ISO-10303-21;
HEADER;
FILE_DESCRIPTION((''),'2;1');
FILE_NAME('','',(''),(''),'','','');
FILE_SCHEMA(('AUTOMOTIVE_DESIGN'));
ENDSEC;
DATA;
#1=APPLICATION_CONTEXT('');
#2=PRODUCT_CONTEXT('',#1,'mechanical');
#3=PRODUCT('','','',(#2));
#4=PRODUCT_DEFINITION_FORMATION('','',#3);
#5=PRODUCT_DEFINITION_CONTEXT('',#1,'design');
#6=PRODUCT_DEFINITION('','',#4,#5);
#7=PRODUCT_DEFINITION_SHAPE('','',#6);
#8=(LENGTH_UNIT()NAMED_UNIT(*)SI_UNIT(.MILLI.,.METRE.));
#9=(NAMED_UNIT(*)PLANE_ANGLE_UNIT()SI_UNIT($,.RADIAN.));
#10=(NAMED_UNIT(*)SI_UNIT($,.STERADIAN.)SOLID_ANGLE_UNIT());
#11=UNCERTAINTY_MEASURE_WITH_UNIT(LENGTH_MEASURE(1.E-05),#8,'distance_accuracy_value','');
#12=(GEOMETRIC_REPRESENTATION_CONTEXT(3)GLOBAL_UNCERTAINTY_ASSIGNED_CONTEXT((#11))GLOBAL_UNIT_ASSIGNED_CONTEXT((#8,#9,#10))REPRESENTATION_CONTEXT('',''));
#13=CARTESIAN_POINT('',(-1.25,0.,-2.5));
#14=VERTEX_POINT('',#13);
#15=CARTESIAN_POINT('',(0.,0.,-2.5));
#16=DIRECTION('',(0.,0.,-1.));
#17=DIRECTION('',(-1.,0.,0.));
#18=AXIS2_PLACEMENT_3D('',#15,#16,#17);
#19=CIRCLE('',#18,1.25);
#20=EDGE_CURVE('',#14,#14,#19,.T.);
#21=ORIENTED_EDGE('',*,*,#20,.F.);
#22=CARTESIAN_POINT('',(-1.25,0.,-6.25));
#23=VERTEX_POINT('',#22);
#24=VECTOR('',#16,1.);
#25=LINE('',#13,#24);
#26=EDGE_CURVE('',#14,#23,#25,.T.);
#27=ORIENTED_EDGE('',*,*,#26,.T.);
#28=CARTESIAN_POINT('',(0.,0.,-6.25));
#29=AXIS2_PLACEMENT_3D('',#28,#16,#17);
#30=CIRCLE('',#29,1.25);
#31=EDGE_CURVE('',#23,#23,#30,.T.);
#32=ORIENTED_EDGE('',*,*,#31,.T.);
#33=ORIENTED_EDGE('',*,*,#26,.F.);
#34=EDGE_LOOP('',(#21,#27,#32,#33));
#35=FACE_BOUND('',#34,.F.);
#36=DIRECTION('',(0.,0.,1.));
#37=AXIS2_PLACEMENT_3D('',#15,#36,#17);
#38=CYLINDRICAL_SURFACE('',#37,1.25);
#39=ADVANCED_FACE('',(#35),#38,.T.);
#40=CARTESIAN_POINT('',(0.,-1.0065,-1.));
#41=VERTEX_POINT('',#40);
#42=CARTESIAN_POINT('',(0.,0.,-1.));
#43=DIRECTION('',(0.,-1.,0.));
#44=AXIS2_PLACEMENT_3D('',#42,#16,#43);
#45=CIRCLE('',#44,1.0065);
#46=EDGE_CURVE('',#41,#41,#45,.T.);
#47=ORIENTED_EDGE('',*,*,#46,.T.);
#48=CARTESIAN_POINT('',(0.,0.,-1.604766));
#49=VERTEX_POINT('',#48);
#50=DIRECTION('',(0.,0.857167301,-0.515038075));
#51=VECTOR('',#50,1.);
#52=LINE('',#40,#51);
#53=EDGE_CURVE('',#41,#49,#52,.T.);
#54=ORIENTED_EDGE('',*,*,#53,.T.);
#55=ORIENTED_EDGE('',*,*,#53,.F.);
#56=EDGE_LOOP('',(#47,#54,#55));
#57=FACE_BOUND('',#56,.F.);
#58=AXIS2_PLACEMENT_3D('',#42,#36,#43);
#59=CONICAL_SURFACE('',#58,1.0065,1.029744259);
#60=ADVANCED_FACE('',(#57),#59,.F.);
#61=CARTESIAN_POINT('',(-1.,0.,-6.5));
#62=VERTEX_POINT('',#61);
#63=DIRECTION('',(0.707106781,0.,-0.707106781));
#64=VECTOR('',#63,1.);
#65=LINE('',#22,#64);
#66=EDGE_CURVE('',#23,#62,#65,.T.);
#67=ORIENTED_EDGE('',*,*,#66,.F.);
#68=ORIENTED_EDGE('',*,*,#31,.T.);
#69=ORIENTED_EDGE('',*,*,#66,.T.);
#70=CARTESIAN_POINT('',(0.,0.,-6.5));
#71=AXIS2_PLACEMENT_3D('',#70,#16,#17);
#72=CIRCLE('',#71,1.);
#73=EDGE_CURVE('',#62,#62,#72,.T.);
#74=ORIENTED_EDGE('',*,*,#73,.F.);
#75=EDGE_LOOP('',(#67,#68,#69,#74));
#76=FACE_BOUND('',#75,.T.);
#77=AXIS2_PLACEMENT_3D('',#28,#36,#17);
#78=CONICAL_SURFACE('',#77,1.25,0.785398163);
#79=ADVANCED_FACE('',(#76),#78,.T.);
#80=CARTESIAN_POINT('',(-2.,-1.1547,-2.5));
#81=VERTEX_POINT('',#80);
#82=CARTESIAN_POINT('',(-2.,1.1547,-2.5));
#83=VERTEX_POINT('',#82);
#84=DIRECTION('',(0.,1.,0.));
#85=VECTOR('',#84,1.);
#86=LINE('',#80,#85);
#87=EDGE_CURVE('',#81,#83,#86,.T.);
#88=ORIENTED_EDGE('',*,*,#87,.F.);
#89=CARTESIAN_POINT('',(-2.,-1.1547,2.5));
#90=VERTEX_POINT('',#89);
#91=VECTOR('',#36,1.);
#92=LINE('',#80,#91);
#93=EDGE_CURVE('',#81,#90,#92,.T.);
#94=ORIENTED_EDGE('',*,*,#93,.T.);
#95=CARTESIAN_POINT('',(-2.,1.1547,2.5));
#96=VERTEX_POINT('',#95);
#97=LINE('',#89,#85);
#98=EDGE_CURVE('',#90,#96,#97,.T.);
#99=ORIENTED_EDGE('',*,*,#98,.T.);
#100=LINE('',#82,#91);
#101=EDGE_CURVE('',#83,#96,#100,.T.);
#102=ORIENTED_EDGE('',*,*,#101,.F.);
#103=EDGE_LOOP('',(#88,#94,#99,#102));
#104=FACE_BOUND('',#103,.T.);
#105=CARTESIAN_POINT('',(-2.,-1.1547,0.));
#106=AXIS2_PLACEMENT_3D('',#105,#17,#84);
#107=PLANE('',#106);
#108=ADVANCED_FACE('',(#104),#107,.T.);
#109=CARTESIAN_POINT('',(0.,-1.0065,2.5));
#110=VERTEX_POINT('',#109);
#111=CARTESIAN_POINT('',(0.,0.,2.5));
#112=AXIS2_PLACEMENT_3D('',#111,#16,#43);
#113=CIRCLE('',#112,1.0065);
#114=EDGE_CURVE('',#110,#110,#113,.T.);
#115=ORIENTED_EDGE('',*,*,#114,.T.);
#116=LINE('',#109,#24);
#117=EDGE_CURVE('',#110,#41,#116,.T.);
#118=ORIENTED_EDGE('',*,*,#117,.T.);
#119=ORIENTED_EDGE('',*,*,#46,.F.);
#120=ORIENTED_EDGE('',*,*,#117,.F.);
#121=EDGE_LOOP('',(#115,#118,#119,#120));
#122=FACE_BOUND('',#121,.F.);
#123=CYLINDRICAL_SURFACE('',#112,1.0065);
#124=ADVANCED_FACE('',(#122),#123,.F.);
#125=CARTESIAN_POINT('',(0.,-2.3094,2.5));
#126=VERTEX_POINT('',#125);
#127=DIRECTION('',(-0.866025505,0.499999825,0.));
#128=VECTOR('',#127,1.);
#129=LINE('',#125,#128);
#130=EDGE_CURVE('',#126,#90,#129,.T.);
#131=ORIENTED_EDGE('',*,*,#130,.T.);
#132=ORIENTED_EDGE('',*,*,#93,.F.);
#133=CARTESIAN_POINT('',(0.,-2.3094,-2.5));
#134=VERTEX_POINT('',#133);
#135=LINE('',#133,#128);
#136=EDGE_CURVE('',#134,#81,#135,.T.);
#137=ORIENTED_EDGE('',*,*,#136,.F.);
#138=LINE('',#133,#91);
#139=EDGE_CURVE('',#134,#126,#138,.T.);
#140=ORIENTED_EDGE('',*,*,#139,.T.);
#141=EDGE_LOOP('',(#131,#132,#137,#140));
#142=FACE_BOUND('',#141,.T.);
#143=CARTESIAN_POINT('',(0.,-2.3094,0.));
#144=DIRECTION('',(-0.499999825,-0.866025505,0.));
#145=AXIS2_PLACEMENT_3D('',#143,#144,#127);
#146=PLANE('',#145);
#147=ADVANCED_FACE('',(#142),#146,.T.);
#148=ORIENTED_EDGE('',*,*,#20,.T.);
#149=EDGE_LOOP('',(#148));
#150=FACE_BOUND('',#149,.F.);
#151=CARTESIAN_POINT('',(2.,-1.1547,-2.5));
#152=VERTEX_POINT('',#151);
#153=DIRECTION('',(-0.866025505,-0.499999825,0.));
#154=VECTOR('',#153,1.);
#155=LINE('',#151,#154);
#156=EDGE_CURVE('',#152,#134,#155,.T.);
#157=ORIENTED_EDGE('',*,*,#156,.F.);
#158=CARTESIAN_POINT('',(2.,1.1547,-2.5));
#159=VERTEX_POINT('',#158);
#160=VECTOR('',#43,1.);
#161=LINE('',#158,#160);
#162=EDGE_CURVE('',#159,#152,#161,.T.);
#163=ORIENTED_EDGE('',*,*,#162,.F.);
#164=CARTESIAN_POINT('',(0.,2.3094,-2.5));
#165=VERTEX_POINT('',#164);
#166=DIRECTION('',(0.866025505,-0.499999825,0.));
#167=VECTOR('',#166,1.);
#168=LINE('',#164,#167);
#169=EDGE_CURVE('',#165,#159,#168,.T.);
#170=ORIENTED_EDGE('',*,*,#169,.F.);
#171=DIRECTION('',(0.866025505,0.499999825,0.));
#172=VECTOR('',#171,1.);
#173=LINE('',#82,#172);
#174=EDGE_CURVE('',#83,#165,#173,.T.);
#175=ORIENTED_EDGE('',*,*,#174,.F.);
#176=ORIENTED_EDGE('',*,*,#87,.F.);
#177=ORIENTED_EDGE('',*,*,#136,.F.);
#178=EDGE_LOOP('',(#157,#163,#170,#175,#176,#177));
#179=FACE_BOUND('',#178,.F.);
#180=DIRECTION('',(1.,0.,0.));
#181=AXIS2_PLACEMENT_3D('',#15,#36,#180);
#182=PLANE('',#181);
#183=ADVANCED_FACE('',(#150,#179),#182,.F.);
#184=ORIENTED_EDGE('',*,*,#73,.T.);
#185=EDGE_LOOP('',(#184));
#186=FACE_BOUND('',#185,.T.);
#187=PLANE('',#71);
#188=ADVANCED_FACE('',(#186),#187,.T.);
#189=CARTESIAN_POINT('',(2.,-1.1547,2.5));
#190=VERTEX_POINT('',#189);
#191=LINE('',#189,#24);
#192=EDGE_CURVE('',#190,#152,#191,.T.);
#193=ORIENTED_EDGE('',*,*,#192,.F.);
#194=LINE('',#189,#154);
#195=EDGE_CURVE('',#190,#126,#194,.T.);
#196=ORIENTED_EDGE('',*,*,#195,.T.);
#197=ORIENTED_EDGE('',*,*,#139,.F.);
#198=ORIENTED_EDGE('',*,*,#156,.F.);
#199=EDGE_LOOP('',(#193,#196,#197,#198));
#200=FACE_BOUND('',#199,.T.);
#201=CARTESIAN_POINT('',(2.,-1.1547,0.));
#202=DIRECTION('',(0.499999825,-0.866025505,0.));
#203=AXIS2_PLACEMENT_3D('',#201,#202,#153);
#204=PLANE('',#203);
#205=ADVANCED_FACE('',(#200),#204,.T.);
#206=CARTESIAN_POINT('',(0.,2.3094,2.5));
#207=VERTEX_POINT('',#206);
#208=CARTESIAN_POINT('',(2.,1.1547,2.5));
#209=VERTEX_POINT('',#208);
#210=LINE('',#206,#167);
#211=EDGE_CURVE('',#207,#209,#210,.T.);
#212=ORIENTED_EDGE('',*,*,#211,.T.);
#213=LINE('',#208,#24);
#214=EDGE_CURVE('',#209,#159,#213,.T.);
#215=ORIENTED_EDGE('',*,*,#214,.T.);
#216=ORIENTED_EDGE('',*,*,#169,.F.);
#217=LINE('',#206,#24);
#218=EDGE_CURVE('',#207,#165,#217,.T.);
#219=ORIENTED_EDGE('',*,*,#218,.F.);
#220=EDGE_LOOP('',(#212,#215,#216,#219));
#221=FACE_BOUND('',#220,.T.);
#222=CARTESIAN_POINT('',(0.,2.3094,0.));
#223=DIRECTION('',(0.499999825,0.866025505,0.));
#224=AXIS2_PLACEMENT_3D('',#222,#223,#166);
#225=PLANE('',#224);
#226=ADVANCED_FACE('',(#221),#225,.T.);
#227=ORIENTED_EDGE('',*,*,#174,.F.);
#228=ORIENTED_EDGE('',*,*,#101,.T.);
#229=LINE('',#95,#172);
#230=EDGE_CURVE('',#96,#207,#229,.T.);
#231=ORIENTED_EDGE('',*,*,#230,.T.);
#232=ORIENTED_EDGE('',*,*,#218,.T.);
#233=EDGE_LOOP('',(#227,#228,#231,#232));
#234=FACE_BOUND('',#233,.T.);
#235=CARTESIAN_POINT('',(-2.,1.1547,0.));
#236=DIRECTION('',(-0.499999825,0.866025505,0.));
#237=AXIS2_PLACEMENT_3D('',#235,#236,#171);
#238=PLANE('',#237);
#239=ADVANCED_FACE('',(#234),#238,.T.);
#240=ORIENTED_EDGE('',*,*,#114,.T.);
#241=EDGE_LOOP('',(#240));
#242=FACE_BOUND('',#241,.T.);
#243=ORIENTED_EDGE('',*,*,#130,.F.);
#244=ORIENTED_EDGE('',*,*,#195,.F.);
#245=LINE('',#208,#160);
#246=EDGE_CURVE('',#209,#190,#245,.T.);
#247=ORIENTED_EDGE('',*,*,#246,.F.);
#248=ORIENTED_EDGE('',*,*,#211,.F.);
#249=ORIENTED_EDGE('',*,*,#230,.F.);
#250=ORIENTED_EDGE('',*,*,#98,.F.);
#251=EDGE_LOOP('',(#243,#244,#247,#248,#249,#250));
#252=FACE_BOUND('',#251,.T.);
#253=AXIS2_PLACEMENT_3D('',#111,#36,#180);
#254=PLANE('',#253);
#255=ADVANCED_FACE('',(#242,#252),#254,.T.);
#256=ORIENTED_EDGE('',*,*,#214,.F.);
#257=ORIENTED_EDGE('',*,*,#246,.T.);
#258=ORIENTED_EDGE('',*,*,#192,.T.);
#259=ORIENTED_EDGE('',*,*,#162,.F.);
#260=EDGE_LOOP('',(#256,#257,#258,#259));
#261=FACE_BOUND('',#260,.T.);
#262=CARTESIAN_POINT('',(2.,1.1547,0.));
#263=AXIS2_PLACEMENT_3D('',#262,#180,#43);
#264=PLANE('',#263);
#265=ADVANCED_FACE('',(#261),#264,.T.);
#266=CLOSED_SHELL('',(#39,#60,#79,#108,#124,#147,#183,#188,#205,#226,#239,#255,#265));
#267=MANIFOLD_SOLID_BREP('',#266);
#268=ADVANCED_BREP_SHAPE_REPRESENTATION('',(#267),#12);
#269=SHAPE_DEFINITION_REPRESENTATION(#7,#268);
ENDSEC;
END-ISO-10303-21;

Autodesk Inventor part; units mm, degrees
ref_plane "YZ Plane" through (0, 0, 0) normal (1, 0, 0) x (0, 1, 0)
ref_plane "XZ Plane" through (0, 0, 0) normal (0, 1, 0) x (-1, 0, 0)
ref_plane "XY Plane" through (0, 0, 0) normal (0, 0, 1) x (1, 0, 0)
sketch "Skizze1" plane through (0, 0, 0) normal (0, 0, 1) x (1, 0, 0)
  line L0 (-2, 0) -> (2, 0) construction
  line L1 (0, 2) -> (0, -2) construction
  line L2 (-2, 1.1547) -> (0, 2.3094)
  line L3 (0, 2.3094) -> (2, 1.1547)
  line L4 (2, 1.1547) -> (2, -1.1547)
  line L5 (2, -1.1547) -> (0, -2.3094)
  line L6 (0, -2.3094) -> (-2, -1.1547)
  line L7 (-2, -1.1547) -> (-2, 1.1547)
  point P0 (0, 0)
  point P1 (0, 0)
  point P2 (0, 0)
  dimension "d0" = 4
  dimension "d1" = 4
  dimension "d2" = 4
extrude "Extrusion1" add sketch "Skizze1" along normal mid plane 5
sketch "Skizze3" plane through (0, 0, 2.5) normal (0, 0, 1) x (1, 0, 0)
  point P0 (0, 0)
  point P1 (0, 0)
hole "Bohrung1" at (0, 0, 2.5) direction (0, 0, -1) diameter 2.013 depth 3.5 tip angle 118 thread size "M2.5x0.45" class "6H" standard "ISO Metric profile"
sketch "Skizze4" plane through (0, 0, -2.5) normal (0, 0, -1) x (-1, 0, 0)
  circle A0 centre (0, 0) radius 1.25
  dimension "d17" = 2.5
extrude "Extrusion3" add sketch "Skizze4" along normal blind 4
thread "Gewinde2" size "M2.5x0.45" class "6g" standard "ISO Metric profile" full length
chamfer "Fase1" distance 0.25 angle 45 1 edges at (1.25, 0, -6.5)
properties part number "standoff (1466814)"
